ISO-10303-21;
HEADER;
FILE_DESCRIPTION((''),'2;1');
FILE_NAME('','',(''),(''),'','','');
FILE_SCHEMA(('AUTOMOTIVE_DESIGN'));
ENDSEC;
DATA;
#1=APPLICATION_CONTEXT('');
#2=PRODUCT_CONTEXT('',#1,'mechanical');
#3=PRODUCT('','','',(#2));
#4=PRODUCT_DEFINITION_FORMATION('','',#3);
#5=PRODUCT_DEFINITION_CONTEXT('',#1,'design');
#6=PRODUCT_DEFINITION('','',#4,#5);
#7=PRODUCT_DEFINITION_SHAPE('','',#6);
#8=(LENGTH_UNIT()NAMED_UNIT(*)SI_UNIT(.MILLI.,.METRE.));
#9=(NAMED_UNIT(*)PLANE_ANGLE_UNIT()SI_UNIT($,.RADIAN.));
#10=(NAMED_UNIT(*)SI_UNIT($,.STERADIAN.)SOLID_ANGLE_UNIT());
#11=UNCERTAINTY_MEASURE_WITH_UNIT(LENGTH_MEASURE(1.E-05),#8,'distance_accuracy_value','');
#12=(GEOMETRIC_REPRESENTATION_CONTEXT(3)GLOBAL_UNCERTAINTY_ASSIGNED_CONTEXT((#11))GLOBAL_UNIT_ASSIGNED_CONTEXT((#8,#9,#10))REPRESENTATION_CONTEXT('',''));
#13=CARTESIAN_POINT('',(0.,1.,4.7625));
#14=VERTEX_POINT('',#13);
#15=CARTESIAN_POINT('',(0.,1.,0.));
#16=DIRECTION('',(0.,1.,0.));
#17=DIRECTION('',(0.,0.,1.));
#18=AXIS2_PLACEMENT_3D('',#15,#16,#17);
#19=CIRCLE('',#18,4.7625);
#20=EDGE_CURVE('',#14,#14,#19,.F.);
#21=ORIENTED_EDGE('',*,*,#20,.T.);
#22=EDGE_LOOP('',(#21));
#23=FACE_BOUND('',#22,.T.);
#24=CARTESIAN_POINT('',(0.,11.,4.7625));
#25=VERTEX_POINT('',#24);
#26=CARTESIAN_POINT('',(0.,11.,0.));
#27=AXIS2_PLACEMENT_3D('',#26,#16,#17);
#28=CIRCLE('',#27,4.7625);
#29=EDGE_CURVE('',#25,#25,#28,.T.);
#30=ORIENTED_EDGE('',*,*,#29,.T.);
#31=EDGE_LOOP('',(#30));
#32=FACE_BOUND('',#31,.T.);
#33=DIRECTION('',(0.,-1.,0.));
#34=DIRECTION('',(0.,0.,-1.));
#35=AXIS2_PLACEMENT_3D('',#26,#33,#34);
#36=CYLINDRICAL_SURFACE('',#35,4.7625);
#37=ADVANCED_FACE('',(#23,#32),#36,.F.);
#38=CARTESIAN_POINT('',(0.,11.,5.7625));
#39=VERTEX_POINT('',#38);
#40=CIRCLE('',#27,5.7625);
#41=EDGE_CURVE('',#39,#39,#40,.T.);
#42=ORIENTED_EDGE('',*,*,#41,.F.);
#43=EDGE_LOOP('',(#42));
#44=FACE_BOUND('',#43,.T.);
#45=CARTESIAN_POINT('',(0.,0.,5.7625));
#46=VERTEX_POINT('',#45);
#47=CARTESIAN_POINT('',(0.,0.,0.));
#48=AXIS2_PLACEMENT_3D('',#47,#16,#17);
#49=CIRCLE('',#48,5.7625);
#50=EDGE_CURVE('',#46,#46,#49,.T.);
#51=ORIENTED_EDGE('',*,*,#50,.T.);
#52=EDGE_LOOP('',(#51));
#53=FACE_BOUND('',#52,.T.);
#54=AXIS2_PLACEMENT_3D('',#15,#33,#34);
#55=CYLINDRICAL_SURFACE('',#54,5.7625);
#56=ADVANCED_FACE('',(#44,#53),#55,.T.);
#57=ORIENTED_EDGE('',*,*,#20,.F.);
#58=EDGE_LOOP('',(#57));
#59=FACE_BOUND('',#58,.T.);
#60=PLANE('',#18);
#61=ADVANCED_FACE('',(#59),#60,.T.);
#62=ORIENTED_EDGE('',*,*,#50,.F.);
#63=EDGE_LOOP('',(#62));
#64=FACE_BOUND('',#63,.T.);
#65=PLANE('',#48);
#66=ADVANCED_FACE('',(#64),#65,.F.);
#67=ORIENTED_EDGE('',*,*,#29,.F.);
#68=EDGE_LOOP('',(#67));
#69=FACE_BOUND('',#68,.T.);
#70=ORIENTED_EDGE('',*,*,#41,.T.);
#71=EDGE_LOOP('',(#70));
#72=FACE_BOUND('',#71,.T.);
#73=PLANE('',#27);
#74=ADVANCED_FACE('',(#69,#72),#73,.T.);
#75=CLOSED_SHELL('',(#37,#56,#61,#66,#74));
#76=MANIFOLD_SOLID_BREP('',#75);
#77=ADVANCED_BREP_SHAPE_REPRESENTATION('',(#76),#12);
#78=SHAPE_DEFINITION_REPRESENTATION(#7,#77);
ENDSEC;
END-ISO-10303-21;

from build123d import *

# Parameters (mm, degrees)
SKETCH2_R           = 5.7625
BOSS_EXTRUDE1_DEPTH = 1
SKETCH3_R           = 5.7625
SKETCH3_R_2         = 4.7625
BOSS_EXTRUDE2_DEPTH = 10


with BuildPart() as part:
    # Sketch2 → Boss-Extrude1 (new body)
    with BuildSketch(Plane(origin=(0, 0, 0), x_dir=(1, 0, 0), z_dir=(0, 1, 0))):
        Circle(SKETCH2_R)
    extrude(amount=BOSS_EXTRUDE1_DEPTH)

    # Sketch3 → Boss-Extrude2 (add)
    with BuildSketch(Plane(origin=(0, 1, 0), x_dir=(1, 0, 0), z_dir=(0, 1, 0))):
        Circle(SKETCH3_R)
        Circle(SKETCH3_R_2, mode=Mode.SUBTRACT)
    extrude(amount=BOSS_EXTRUDE2_DEPTH)


solid = part.part
